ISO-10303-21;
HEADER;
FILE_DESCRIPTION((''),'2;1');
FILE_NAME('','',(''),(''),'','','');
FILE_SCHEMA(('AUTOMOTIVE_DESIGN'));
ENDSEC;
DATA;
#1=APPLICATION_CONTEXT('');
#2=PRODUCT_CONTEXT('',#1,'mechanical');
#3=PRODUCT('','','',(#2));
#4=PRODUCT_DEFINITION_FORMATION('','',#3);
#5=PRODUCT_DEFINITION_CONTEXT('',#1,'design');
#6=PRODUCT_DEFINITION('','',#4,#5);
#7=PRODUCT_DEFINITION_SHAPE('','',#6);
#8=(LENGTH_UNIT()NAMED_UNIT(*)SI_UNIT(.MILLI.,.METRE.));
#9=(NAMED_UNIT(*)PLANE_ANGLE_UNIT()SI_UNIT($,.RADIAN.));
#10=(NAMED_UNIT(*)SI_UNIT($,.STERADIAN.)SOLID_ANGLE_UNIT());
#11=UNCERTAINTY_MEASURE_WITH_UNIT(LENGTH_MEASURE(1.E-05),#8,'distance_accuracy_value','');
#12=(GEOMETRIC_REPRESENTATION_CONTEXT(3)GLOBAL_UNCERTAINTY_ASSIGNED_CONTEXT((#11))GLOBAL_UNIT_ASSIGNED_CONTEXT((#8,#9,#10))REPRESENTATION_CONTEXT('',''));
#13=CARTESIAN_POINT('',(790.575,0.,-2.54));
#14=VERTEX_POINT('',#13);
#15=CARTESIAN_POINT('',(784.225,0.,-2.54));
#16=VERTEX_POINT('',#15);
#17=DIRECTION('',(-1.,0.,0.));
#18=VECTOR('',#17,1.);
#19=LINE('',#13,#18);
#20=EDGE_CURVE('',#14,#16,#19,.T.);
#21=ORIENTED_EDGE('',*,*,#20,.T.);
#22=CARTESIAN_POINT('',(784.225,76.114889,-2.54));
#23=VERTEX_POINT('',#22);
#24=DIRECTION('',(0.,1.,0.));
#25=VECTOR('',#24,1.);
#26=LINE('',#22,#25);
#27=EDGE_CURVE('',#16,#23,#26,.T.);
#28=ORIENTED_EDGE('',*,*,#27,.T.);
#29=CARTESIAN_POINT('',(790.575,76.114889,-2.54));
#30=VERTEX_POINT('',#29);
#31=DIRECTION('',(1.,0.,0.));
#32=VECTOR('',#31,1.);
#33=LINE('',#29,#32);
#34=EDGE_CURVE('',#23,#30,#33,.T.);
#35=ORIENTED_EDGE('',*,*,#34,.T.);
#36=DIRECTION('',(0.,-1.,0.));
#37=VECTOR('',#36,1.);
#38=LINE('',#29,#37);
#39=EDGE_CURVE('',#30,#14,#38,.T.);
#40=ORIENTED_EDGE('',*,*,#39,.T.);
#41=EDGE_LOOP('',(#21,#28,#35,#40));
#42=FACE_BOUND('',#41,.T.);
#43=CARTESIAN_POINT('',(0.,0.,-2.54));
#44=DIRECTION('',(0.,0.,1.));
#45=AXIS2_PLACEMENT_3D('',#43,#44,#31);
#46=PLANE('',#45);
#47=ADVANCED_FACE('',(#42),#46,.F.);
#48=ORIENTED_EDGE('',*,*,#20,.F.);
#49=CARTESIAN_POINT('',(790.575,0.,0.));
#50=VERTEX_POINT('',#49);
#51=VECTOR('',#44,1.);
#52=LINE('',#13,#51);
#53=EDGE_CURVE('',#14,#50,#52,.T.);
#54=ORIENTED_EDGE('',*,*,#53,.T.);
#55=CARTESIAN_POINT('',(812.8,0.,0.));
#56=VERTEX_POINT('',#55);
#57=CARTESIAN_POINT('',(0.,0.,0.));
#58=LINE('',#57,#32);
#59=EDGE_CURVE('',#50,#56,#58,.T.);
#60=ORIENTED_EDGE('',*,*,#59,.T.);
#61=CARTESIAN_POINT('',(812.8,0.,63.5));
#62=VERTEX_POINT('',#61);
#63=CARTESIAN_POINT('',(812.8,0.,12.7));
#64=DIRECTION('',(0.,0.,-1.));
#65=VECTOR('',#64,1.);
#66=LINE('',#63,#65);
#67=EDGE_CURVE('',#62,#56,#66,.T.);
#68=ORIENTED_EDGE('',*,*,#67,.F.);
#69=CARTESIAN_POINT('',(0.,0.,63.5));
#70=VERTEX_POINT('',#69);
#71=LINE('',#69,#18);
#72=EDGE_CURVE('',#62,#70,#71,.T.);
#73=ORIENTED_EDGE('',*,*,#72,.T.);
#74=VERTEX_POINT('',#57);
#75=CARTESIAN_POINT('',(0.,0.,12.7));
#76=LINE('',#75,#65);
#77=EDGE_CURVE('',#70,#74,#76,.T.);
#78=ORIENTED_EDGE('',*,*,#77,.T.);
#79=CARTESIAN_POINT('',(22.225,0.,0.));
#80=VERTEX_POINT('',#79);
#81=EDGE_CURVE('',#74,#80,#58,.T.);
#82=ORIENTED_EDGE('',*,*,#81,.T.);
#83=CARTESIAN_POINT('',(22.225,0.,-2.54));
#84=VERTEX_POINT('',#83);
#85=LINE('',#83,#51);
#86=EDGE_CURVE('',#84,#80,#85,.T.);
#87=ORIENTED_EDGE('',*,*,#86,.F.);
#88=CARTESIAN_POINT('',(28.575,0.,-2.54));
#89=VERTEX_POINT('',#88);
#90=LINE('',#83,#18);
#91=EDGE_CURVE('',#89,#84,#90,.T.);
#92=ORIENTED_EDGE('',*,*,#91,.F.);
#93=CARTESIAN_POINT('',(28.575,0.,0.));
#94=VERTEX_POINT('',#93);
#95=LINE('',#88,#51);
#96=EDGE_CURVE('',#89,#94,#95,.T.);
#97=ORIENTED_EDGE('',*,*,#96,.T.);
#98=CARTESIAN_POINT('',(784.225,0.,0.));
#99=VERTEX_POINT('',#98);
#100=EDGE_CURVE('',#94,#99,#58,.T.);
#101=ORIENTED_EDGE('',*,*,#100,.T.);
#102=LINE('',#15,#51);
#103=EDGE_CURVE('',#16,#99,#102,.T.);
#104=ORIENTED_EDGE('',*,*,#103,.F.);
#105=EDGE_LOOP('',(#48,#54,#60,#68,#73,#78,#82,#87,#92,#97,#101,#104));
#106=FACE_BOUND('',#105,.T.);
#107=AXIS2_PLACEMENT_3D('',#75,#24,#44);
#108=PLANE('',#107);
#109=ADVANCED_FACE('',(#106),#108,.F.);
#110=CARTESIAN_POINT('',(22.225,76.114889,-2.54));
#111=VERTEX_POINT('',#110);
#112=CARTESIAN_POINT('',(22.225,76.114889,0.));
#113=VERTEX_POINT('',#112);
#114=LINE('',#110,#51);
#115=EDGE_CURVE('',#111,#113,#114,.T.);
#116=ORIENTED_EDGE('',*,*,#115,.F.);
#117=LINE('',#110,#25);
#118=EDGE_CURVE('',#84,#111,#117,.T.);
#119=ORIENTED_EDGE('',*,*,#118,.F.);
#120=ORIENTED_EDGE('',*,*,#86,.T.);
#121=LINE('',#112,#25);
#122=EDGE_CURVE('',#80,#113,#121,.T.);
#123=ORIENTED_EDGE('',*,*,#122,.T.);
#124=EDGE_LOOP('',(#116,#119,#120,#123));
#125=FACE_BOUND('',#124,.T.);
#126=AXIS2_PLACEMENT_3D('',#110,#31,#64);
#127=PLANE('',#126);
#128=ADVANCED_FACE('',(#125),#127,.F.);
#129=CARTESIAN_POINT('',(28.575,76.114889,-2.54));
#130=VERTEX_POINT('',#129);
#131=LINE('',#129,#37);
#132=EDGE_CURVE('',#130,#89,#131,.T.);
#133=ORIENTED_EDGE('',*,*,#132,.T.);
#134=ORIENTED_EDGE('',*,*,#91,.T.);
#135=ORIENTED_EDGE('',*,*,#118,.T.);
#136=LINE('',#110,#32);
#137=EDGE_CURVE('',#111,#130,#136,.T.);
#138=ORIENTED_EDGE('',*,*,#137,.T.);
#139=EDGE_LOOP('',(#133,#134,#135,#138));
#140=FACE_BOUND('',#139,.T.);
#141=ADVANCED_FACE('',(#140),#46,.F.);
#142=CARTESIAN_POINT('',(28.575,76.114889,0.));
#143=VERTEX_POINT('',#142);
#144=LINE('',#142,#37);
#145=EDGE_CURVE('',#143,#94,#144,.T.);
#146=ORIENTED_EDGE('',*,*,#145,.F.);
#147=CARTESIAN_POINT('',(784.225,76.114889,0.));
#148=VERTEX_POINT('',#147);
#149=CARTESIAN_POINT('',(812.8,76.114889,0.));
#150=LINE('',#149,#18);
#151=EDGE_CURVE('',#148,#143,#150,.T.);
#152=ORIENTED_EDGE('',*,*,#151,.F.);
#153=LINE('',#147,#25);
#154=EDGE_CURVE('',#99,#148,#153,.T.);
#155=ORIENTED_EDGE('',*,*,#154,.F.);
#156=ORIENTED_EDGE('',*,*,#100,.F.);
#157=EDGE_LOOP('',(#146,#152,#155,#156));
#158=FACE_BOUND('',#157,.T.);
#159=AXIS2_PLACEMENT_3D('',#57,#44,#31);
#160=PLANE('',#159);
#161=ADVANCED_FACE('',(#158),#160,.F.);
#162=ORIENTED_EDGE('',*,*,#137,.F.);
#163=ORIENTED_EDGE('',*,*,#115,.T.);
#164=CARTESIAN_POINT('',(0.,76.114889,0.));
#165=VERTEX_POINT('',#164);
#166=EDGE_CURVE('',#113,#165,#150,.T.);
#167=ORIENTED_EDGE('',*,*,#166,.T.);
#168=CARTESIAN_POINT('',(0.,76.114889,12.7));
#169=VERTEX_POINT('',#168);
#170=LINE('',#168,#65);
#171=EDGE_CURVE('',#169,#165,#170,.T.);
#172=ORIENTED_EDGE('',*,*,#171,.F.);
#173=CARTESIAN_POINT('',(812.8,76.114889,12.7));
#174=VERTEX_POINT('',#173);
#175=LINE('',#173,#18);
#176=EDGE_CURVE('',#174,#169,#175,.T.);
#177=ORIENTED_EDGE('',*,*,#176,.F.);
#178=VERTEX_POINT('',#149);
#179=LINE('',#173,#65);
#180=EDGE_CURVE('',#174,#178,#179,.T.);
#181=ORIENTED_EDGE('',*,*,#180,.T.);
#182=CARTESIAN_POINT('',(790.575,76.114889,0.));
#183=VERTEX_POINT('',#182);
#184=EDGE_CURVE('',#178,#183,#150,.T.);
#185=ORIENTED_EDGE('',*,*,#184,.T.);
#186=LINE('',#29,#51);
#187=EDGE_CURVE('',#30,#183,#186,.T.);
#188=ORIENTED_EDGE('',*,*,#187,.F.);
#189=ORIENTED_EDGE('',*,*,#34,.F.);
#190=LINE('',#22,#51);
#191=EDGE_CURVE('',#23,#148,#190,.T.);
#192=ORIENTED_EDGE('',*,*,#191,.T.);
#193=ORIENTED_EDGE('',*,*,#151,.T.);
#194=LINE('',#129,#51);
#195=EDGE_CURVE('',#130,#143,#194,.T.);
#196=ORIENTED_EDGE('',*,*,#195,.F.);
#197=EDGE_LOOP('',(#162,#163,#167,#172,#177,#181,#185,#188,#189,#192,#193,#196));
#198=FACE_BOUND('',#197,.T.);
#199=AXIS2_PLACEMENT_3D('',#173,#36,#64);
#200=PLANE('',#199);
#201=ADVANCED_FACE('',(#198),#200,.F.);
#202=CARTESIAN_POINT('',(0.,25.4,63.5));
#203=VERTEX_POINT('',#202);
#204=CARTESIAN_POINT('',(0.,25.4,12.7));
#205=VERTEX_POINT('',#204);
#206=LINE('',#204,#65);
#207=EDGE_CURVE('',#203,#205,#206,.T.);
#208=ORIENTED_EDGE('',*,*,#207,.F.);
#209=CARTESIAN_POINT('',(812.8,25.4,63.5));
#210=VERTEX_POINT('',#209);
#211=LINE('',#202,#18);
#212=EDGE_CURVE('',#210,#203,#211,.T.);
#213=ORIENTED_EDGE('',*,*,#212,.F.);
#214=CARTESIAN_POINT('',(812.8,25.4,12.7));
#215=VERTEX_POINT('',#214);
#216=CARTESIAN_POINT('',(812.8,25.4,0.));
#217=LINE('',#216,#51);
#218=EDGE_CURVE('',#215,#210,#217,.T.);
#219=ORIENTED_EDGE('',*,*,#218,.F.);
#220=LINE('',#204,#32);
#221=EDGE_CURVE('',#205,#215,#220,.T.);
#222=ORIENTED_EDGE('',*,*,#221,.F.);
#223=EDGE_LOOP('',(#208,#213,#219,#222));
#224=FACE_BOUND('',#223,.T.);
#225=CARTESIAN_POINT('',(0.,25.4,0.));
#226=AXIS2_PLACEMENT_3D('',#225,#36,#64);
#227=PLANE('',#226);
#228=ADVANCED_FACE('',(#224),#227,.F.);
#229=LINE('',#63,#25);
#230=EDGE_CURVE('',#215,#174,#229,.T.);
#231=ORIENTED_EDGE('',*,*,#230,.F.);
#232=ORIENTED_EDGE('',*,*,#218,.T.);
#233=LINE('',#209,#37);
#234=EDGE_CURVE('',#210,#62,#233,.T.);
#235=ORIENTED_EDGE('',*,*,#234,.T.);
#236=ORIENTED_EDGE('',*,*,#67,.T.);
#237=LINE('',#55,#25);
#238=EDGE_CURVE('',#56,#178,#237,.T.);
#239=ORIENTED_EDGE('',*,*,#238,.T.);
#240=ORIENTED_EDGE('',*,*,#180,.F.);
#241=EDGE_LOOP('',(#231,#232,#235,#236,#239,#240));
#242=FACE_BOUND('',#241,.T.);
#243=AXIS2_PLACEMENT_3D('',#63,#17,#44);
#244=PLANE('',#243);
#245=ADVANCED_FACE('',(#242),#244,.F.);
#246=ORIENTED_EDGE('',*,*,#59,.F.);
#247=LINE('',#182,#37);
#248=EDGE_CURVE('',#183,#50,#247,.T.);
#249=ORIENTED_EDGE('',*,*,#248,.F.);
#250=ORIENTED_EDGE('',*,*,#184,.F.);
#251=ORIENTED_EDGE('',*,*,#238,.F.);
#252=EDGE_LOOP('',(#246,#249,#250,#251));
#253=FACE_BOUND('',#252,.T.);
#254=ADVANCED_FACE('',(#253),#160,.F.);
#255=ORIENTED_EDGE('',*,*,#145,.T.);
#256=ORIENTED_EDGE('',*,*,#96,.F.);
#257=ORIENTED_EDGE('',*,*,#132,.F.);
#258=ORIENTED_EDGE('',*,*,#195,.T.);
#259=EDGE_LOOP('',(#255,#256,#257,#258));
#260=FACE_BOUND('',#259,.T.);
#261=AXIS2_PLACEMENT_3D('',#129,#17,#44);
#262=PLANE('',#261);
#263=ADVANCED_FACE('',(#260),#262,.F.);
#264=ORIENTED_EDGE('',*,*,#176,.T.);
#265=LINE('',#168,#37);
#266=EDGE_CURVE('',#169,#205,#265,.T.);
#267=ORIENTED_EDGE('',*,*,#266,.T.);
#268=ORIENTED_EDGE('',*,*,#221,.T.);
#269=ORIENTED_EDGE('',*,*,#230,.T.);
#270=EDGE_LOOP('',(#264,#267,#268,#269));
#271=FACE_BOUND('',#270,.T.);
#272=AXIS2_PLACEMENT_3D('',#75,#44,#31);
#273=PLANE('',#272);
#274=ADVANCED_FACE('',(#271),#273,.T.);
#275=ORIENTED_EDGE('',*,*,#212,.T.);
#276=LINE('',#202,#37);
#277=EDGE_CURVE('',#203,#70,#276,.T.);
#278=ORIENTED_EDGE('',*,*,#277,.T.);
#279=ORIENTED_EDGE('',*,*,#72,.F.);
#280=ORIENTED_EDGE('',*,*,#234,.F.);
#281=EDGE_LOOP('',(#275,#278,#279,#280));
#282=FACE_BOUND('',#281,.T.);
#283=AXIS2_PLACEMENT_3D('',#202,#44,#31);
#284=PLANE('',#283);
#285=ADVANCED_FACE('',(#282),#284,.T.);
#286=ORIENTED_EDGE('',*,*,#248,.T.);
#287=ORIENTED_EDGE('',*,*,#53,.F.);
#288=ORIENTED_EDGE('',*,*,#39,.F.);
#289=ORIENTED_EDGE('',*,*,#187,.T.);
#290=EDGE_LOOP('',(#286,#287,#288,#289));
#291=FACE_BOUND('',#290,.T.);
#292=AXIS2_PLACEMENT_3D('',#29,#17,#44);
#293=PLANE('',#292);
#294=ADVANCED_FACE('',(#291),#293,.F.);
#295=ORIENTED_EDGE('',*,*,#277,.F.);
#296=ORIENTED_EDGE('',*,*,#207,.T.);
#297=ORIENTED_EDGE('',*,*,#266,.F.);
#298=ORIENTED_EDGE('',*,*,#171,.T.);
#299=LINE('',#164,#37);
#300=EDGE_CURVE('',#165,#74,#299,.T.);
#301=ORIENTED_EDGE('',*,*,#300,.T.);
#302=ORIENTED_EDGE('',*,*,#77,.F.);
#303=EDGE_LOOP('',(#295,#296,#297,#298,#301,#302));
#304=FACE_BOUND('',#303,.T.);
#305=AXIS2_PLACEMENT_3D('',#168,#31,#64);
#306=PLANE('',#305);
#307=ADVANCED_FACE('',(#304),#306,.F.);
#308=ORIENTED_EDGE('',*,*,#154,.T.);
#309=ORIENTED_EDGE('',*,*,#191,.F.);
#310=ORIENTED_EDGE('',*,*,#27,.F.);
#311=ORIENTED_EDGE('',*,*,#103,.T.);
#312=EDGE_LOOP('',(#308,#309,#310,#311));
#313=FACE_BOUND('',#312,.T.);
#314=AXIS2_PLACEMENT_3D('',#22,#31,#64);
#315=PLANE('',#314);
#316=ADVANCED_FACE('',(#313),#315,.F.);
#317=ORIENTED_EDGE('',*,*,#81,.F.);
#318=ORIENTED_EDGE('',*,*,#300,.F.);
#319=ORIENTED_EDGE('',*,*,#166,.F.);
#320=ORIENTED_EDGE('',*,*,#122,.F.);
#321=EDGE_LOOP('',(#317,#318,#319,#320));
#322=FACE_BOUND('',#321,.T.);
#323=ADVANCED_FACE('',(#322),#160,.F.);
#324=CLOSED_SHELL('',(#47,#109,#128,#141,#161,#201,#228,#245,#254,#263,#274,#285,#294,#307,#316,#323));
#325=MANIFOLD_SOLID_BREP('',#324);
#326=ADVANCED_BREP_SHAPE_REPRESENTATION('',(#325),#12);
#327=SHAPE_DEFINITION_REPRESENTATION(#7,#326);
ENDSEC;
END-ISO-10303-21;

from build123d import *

# Parameters (mm, degrees)
SKETCH1_W           = 812.8
SKETCH1_H           = 76.114888738
BOSS_EXTRUDE1_DEPTH = 12.7
BOSS_EXTRUDE2_DEPTH = 25.4
SKETCH3_W           = 6.35
SKETCH3_H           = 76.114888738
BOSS_EXTRUDE4_DEPTH = 2.54


with BuildPart() as part:
    # Sketch1 → Boss-Extrude1 (new body)
    with BuildSketch(Plane.XY):
        with Locations((406.4, 38.057444369)):
            Rectangle(SKETCH1_W, SKETCH1_H)
    extrude(amount=BOSS_EXTRUDE1_DEPTH)

    # Sketch2 → Boss-Extrude2 (add)
    with BuildSketch(Plane.XZ):
        Polygon((0, 12.7), (0, 63.5), (812.8, 63.5), (812.8, 12.7), (812.8, 0), (0, 0), align=None)
    extrude(amount=-BOSS_EXTRUDE2_DEPTH)

    # Sketch3 → Boss-Extrude4 (add)
    with BuildSketch(Plane(origin=(0, 0, 0), x_dir=(-1, 0, 0), z_dir=(0, 0, -1))):
        with Locations((-787.4, 38.057444369)):
            Rectangle(SKETCH3_W, SKETCH3_H)
        with Locations((-25.4, 38.057444369)):
            Rectangle(SKETCH3_W, SKETCH3_H)
    extrude(amount=BOSS_EXTRUDE4_DEPTH)


solid = part.part
